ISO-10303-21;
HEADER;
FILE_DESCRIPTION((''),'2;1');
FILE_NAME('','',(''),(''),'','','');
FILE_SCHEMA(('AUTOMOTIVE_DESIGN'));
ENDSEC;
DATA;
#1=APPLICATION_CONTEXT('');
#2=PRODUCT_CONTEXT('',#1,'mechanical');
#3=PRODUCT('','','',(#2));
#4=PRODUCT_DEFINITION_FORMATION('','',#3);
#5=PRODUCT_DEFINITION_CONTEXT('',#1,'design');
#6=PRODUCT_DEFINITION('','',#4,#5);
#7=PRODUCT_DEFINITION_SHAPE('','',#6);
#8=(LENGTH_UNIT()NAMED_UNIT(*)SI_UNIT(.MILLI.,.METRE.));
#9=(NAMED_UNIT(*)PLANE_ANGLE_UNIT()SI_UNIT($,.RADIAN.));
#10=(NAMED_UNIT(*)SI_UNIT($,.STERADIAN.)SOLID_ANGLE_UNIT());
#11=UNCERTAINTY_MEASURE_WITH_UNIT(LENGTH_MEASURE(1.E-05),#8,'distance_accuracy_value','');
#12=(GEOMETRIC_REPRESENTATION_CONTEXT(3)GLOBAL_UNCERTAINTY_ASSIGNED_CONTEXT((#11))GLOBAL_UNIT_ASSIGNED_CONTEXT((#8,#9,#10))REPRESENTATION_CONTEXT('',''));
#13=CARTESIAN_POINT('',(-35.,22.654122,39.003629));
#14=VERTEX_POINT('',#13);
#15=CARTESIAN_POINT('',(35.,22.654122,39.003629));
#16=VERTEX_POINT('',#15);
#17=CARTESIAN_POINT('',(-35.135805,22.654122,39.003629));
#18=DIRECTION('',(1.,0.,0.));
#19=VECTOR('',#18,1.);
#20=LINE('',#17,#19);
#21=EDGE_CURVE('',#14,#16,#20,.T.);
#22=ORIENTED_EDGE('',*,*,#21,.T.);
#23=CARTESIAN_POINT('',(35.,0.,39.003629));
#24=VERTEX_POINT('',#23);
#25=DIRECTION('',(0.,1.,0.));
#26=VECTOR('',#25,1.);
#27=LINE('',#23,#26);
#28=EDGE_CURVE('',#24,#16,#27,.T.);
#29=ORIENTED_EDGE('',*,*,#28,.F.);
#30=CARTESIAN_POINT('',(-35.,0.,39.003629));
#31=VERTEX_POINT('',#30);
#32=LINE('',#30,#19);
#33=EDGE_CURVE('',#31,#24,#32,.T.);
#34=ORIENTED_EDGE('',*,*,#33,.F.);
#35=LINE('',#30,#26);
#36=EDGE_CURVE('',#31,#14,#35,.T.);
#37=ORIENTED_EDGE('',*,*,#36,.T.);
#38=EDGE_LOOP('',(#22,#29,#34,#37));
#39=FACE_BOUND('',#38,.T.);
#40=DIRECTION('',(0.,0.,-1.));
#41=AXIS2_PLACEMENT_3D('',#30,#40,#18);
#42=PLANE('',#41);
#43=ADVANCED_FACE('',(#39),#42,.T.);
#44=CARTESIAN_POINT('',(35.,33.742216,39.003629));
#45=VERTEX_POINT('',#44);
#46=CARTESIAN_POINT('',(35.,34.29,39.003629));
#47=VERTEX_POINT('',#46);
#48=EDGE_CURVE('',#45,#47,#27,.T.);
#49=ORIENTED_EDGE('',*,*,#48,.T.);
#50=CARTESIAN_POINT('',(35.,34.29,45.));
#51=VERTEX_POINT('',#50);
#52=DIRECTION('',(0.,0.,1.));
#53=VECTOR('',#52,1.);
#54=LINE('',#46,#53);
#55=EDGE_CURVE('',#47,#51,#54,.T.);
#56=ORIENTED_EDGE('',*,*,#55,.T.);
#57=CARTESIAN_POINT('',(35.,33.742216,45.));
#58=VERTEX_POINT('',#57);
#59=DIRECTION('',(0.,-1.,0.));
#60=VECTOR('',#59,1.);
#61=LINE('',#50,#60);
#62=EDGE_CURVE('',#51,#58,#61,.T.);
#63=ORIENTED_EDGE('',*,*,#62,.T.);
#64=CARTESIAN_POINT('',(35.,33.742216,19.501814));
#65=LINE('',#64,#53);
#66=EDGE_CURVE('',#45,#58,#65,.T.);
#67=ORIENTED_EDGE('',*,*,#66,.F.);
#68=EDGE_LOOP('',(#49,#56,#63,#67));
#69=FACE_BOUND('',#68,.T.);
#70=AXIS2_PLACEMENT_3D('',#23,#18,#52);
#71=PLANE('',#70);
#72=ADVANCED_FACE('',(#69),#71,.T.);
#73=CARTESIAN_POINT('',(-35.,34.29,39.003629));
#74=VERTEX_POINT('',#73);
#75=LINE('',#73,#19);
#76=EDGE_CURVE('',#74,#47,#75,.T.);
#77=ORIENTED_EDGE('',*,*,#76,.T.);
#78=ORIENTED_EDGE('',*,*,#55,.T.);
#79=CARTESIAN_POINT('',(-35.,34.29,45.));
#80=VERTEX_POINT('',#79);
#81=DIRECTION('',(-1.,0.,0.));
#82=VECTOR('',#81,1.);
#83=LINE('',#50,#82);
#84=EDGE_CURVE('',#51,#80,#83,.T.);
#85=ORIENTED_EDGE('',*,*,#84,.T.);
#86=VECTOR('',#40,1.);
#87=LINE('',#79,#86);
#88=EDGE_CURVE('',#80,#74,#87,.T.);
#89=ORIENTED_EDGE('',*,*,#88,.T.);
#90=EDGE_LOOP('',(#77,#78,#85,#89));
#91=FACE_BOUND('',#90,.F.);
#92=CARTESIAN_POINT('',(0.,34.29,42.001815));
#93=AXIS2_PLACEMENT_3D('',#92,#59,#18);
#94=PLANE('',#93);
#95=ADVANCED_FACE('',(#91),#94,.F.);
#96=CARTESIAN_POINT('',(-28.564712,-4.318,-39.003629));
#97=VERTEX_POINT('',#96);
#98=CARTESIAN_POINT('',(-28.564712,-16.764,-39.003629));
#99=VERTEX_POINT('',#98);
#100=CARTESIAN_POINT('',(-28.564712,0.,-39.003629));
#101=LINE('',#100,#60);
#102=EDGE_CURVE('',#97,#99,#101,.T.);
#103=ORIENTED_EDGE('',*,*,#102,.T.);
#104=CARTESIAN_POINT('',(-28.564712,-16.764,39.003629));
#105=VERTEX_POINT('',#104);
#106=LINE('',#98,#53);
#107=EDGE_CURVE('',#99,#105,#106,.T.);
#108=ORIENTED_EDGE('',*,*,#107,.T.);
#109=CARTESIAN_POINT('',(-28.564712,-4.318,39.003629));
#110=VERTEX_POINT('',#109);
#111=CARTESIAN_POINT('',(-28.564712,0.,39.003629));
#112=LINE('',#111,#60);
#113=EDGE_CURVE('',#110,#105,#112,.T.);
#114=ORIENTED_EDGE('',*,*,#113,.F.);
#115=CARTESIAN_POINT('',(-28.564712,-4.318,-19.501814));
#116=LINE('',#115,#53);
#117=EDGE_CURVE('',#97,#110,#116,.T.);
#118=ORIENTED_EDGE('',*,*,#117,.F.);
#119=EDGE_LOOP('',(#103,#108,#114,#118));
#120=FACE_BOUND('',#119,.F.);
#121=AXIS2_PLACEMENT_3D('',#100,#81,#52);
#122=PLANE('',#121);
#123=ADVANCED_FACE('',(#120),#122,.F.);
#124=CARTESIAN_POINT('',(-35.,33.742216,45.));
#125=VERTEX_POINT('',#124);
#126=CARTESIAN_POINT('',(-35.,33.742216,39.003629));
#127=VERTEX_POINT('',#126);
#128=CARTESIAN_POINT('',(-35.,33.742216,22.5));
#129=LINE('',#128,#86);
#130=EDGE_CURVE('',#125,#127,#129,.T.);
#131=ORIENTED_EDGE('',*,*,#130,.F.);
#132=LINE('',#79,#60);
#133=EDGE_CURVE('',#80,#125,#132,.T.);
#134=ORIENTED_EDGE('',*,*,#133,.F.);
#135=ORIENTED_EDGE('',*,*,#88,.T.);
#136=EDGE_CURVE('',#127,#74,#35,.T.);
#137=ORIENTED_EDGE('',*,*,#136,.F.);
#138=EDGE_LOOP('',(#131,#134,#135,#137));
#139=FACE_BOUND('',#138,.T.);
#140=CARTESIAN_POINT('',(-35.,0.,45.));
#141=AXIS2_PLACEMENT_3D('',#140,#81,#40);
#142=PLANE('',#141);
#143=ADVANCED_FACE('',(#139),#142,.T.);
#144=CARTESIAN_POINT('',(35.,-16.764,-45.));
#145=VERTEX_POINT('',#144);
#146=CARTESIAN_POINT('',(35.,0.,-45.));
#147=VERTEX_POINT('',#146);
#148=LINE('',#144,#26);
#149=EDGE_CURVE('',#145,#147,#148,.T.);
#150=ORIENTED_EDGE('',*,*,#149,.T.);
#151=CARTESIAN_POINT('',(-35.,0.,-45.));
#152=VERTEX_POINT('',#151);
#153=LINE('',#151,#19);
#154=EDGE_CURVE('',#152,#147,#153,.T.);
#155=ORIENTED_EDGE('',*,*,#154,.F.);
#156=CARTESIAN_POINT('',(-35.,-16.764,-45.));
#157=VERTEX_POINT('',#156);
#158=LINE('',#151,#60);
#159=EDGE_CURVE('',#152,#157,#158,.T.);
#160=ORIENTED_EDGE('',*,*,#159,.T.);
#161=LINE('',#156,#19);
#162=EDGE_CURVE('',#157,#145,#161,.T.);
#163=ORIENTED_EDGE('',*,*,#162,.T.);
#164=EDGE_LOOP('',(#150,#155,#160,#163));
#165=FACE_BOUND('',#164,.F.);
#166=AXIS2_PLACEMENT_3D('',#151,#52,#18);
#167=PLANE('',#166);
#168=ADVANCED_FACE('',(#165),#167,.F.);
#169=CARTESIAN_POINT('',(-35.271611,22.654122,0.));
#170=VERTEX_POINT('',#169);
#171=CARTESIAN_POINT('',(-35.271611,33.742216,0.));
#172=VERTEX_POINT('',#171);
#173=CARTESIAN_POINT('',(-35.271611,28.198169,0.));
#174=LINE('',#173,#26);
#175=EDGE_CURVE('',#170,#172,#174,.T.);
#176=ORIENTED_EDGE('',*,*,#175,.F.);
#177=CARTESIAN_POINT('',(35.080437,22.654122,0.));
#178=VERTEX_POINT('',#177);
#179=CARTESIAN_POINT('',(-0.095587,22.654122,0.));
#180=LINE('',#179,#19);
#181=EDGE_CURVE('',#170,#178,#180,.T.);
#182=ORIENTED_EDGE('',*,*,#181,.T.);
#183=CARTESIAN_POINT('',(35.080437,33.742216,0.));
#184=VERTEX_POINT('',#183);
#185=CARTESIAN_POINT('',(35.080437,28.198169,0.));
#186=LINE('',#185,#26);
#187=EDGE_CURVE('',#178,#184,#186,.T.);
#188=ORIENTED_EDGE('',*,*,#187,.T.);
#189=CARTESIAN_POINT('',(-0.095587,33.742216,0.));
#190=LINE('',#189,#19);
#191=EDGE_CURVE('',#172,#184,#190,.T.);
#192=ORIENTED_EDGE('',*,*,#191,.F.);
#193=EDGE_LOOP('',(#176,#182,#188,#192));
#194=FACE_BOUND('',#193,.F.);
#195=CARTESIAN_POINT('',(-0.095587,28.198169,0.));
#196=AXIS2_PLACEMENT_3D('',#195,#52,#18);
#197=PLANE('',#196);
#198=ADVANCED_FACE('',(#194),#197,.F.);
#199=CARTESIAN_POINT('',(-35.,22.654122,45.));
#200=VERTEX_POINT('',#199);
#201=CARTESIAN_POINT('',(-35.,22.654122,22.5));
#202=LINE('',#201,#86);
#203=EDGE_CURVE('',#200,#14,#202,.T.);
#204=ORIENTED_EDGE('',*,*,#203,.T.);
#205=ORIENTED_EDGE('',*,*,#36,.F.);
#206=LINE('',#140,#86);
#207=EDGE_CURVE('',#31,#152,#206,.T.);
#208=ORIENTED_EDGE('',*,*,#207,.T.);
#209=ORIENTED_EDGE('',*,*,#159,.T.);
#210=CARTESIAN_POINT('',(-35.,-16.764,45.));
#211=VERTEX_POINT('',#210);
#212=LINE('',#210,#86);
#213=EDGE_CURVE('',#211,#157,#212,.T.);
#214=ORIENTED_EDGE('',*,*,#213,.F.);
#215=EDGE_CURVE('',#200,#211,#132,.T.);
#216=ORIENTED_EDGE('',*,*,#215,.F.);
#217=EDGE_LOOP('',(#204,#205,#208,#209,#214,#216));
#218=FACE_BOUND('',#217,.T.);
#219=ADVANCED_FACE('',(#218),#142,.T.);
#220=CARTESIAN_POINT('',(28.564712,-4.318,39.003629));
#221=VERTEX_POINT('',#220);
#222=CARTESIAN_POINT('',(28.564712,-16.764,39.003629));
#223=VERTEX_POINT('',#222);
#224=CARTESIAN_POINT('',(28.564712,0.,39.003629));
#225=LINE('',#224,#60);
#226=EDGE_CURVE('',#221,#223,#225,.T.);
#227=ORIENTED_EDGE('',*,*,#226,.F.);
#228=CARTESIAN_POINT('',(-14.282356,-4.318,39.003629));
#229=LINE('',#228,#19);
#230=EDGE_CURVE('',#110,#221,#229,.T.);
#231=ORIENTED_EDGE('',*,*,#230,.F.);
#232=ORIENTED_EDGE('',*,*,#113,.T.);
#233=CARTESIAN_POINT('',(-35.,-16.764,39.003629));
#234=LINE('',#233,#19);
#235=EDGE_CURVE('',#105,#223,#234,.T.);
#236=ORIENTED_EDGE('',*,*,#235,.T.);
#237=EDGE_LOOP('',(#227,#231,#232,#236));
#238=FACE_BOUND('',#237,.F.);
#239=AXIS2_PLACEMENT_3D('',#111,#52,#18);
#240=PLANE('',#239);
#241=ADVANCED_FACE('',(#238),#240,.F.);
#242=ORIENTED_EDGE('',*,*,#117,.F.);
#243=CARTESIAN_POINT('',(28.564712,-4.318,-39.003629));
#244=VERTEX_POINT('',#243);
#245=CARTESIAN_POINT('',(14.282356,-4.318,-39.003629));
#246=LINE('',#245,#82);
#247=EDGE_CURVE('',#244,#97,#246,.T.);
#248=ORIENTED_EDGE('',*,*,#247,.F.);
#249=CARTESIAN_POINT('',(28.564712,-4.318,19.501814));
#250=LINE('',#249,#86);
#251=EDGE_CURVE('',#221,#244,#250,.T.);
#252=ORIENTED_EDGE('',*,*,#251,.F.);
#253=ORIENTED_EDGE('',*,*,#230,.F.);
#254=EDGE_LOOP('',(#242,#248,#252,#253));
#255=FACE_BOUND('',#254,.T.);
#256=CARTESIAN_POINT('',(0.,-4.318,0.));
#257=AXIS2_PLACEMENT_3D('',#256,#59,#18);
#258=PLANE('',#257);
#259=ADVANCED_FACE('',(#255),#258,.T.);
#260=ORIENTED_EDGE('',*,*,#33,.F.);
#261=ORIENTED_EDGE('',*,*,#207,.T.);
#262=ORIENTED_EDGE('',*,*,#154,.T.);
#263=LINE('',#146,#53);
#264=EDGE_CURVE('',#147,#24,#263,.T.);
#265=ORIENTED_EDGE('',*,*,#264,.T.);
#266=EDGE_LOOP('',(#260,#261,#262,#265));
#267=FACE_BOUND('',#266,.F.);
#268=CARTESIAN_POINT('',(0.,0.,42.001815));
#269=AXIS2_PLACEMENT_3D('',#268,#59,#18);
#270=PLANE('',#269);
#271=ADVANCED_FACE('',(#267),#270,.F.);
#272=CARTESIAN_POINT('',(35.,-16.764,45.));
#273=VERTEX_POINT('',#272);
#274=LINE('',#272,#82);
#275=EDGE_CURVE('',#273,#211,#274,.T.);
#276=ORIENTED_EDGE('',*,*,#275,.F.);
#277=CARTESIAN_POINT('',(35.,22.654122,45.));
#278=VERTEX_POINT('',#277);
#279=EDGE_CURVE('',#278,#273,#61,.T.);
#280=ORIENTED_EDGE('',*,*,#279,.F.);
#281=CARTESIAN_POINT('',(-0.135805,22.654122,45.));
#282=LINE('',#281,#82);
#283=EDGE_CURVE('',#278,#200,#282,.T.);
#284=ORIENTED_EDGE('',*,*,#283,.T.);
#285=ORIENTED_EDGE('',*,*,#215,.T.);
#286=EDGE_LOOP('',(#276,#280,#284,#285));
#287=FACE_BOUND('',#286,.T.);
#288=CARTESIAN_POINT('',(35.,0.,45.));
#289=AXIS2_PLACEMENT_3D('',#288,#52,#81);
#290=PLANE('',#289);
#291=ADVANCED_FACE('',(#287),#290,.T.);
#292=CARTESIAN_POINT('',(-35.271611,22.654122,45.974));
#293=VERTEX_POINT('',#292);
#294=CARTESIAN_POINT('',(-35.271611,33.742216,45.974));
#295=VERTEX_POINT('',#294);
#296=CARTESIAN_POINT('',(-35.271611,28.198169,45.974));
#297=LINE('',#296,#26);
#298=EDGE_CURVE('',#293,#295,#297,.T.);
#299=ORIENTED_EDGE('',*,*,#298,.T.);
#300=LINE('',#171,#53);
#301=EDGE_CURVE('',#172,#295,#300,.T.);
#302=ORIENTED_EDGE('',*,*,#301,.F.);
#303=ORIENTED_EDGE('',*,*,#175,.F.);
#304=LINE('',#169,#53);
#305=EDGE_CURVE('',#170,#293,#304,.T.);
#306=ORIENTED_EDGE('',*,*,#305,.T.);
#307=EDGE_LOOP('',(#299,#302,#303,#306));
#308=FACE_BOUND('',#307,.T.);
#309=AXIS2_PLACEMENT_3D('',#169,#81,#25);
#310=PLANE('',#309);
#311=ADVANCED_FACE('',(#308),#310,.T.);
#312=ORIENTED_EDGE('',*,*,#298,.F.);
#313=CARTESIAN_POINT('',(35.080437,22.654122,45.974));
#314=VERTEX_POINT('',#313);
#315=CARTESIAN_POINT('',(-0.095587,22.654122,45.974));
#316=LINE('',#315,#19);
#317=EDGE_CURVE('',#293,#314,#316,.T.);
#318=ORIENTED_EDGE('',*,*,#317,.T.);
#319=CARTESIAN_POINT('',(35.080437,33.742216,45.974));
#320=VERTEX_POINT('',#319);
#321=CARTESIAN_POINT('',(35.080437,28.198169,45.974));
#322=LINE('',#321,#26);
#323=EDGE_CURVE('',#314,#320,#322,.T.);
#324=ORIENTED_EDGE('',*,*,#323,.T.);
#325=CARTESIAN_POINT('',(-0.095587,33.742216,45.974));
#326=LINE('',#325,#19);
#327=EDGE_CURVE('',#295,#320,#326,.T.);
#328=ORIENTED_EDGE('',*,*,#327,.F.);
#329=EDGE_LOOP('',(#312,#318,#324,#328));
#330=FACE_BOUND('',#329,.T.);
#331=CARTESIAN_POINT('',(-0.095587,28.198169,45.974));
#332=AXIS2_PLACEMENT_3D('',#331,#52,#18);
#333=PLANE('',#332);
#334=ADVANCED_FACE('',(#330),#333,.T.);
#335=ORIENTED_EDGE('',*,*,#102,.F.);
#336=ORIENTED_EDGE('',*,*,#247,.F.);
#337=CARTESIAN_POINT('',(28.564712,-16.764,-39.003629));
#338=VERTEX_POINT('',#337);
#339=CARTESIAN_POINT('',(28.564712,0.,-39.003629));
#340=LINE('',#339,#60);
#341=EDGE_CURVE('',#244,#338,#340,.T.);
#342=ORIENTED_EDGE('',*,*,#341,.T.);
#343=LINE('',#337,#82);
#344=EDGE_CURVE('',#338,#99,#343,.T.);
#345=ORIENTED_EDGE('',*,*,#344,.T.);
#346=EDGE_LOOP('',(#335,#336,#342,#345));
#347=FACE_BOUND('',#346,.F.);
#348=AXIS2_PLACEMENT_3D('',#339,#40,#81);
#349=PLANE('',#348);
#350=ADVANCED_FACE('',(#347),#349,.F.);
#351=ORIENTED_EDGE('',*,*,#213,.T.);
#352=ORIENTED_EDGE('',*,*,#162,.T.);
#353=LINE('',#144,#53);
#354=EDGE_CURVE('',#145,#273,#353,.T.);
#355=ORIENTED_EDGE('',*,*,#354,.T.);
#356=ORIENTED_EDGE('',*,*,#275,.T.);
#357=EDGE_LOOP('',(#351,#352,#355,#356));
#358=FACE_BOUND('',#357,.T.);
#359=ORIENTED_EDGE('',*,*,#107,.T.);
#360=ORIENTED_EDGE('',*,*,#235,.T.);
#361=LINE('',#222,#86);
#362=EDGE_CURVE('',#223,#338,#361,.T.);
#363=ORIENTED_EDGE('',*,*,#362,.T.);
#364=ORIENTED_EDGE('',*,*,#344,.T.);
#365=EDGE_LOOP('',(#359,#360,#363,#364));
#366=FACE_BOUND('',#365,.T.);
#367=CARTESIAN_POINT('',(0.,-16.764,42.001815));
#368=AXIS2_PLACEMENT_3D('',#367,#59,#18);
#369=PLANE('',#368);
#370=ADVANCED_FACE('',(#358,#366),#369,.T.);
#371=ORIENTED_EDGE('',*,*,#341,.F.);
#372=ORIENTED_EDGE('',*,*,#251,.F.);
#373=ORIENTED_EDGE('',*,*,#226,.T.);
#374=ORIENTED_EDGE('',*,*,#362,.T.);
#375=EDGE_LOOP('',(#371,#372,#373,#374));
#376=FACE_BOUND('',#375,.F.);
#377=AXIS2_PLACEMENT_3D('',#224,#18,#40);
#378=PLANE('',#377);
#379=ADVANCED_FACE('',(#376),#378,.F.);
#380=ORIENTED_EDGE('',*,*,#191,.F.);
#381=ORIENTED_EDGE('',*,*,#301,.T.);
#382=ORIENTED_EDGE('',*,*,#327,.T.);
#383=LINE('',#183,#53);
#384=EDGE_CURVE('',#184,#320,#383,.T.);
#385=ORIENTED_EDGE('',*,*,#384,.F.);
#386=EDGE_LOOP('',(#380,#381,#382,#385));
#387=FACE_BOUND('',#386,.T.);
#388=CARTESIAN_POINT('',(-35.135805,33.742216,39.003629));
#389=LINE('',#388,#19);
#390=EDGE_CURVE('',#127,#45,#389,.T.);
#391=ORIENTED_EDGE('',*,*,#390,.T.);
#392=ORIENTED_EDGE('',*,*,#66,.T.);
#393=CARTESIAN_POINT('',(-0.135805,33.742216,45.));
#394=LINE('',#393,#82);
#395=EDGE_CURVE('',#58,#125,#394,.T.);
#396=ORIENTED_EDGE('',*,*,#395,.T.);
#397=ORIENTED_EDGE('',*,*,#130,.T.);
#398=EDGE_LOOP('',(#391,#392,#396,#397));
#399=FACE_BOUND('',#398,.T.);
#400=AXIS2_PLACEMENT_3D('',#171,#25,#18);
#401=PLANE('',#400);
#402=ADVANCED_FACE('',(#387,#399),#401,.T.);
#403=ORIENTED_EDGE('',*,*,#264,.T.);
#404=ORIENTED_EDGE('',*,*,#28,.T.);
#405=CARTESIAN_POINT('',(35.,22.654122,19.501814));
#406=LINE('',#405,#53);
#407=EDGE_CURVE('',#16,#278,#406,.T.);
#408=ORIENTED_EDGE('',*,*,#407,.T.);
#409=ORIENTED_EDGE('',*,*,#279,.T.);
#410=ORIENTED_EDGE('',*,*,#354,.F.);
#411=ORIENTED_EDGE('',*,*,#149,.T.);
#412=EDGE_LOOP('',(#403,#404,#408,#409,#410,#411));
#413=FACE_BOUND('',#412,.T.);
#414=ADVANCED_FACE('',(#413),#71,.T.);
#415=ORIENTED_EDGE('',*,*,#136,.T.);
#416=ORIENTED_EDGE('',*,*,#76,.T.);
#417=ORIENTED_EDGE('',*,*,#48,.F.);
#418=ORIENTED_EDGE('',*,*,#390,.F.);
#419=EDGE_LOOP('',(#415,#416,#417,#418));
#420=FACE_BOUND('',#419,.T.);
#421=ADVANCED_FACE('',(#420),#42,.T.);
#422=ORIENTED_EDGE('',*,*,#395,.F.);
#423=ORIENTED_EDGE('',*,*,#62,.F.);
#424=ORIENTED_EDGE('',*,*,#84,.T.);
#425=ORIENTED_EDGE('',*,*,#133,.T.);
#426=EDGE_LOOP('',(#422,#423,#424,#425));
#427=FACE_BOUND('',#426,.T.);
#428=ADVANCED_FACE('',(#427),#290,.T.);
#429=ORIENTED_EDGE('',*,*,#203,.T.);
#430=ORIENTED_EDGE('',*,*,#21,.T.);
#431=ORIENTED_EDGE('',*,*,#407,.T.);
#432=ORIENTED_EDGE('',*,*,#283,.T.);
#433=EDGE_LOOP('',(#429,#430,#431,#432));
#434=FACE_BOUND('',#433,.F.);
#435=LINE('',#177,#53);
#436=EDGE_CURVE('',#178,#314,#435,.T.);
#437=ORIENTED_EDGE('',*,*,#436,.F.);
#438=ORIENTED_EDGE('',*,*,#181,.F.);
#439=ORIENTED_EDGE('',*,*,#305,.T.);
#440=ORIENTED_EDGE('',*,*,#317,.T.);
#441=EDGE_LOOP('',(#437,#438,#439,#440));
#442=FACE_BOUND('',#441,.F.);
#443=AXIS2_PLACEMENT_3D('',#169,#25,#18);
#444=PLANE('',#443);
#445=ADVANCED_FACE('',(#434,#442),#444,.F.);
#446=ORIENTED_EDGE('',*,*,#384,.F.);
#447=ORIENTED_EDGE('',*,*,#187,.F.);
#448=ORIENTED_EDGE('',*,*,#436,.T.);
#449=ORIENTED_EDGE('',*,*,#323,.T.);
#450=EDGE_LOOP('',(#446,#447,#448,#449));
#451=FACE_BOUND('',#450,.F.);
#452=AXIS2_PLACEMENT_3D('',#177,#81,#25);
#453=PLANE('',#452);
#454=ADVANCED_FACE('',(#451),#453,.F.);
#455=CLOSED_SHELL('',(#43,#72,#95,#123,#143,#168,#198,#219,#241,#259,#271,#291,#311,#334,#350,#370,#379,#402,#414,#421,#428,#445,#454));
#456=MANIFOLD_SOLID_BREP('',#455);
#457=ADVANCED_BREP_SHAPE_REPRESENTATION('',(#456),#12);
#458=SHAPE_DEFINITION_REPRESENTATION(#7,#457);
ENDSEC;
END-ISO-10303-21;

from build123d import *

# Parameters (mm, degrees)
F1_DEPTH = 16.764
F2_W     = 70
F2_H     = 90
F3_DEPTH = 4.318
F4_DEPTH = 34.29
F5_W     = 70.352048
F5_H     = 11.088093
F6_DEPTH = 45.974


with BuildPart() as f1:
    # F0 (on Front) → F1 (new body)
    with BuildSketch(Plane.XZ):
        Polygon((35, 39.003629), (35, 45), (-35, 45), (-35, 39.003629), (-28.564712, 39.003629), (28.564712, 39.003629), align=None)
        Polygon((35, -45), (35, 39.003629), (28.564712, 39.003629), (28.564712, -39.003629), (-28.564712, -39.003629), (-28.564712, 39.003629), (-35, 39.003629), (-35, -45), align=None)
    extrude(amount=F1_DEPTH)

    # F2 (on Front) → F3 (join)
    with BuildSketch(Plane.XZ):
        Rectangle(F2_W, F2_H)
    extrude(amount=F3_DEPTH)

    # F0 (on Front) → F4 (join)
    with BuildSketch(Plane.XZ):
        Polygon((35, 39.003629), (35, 45), (-35, 45), (-35, 39.003629), (-28.564712, 39.003629), (28.564712, 39.003629), align=None)
    extrude(amount=-F4_DEPTH)

    # F5 (on Top) → F6 (join)
    with BuildSketch(Plane.XY):
        with Locations((-0.095587, 28.198169)):
            Rectangle(F5_W, F5_H)
    extrude(amount=F6_DEPTH)


solid = f1.part
